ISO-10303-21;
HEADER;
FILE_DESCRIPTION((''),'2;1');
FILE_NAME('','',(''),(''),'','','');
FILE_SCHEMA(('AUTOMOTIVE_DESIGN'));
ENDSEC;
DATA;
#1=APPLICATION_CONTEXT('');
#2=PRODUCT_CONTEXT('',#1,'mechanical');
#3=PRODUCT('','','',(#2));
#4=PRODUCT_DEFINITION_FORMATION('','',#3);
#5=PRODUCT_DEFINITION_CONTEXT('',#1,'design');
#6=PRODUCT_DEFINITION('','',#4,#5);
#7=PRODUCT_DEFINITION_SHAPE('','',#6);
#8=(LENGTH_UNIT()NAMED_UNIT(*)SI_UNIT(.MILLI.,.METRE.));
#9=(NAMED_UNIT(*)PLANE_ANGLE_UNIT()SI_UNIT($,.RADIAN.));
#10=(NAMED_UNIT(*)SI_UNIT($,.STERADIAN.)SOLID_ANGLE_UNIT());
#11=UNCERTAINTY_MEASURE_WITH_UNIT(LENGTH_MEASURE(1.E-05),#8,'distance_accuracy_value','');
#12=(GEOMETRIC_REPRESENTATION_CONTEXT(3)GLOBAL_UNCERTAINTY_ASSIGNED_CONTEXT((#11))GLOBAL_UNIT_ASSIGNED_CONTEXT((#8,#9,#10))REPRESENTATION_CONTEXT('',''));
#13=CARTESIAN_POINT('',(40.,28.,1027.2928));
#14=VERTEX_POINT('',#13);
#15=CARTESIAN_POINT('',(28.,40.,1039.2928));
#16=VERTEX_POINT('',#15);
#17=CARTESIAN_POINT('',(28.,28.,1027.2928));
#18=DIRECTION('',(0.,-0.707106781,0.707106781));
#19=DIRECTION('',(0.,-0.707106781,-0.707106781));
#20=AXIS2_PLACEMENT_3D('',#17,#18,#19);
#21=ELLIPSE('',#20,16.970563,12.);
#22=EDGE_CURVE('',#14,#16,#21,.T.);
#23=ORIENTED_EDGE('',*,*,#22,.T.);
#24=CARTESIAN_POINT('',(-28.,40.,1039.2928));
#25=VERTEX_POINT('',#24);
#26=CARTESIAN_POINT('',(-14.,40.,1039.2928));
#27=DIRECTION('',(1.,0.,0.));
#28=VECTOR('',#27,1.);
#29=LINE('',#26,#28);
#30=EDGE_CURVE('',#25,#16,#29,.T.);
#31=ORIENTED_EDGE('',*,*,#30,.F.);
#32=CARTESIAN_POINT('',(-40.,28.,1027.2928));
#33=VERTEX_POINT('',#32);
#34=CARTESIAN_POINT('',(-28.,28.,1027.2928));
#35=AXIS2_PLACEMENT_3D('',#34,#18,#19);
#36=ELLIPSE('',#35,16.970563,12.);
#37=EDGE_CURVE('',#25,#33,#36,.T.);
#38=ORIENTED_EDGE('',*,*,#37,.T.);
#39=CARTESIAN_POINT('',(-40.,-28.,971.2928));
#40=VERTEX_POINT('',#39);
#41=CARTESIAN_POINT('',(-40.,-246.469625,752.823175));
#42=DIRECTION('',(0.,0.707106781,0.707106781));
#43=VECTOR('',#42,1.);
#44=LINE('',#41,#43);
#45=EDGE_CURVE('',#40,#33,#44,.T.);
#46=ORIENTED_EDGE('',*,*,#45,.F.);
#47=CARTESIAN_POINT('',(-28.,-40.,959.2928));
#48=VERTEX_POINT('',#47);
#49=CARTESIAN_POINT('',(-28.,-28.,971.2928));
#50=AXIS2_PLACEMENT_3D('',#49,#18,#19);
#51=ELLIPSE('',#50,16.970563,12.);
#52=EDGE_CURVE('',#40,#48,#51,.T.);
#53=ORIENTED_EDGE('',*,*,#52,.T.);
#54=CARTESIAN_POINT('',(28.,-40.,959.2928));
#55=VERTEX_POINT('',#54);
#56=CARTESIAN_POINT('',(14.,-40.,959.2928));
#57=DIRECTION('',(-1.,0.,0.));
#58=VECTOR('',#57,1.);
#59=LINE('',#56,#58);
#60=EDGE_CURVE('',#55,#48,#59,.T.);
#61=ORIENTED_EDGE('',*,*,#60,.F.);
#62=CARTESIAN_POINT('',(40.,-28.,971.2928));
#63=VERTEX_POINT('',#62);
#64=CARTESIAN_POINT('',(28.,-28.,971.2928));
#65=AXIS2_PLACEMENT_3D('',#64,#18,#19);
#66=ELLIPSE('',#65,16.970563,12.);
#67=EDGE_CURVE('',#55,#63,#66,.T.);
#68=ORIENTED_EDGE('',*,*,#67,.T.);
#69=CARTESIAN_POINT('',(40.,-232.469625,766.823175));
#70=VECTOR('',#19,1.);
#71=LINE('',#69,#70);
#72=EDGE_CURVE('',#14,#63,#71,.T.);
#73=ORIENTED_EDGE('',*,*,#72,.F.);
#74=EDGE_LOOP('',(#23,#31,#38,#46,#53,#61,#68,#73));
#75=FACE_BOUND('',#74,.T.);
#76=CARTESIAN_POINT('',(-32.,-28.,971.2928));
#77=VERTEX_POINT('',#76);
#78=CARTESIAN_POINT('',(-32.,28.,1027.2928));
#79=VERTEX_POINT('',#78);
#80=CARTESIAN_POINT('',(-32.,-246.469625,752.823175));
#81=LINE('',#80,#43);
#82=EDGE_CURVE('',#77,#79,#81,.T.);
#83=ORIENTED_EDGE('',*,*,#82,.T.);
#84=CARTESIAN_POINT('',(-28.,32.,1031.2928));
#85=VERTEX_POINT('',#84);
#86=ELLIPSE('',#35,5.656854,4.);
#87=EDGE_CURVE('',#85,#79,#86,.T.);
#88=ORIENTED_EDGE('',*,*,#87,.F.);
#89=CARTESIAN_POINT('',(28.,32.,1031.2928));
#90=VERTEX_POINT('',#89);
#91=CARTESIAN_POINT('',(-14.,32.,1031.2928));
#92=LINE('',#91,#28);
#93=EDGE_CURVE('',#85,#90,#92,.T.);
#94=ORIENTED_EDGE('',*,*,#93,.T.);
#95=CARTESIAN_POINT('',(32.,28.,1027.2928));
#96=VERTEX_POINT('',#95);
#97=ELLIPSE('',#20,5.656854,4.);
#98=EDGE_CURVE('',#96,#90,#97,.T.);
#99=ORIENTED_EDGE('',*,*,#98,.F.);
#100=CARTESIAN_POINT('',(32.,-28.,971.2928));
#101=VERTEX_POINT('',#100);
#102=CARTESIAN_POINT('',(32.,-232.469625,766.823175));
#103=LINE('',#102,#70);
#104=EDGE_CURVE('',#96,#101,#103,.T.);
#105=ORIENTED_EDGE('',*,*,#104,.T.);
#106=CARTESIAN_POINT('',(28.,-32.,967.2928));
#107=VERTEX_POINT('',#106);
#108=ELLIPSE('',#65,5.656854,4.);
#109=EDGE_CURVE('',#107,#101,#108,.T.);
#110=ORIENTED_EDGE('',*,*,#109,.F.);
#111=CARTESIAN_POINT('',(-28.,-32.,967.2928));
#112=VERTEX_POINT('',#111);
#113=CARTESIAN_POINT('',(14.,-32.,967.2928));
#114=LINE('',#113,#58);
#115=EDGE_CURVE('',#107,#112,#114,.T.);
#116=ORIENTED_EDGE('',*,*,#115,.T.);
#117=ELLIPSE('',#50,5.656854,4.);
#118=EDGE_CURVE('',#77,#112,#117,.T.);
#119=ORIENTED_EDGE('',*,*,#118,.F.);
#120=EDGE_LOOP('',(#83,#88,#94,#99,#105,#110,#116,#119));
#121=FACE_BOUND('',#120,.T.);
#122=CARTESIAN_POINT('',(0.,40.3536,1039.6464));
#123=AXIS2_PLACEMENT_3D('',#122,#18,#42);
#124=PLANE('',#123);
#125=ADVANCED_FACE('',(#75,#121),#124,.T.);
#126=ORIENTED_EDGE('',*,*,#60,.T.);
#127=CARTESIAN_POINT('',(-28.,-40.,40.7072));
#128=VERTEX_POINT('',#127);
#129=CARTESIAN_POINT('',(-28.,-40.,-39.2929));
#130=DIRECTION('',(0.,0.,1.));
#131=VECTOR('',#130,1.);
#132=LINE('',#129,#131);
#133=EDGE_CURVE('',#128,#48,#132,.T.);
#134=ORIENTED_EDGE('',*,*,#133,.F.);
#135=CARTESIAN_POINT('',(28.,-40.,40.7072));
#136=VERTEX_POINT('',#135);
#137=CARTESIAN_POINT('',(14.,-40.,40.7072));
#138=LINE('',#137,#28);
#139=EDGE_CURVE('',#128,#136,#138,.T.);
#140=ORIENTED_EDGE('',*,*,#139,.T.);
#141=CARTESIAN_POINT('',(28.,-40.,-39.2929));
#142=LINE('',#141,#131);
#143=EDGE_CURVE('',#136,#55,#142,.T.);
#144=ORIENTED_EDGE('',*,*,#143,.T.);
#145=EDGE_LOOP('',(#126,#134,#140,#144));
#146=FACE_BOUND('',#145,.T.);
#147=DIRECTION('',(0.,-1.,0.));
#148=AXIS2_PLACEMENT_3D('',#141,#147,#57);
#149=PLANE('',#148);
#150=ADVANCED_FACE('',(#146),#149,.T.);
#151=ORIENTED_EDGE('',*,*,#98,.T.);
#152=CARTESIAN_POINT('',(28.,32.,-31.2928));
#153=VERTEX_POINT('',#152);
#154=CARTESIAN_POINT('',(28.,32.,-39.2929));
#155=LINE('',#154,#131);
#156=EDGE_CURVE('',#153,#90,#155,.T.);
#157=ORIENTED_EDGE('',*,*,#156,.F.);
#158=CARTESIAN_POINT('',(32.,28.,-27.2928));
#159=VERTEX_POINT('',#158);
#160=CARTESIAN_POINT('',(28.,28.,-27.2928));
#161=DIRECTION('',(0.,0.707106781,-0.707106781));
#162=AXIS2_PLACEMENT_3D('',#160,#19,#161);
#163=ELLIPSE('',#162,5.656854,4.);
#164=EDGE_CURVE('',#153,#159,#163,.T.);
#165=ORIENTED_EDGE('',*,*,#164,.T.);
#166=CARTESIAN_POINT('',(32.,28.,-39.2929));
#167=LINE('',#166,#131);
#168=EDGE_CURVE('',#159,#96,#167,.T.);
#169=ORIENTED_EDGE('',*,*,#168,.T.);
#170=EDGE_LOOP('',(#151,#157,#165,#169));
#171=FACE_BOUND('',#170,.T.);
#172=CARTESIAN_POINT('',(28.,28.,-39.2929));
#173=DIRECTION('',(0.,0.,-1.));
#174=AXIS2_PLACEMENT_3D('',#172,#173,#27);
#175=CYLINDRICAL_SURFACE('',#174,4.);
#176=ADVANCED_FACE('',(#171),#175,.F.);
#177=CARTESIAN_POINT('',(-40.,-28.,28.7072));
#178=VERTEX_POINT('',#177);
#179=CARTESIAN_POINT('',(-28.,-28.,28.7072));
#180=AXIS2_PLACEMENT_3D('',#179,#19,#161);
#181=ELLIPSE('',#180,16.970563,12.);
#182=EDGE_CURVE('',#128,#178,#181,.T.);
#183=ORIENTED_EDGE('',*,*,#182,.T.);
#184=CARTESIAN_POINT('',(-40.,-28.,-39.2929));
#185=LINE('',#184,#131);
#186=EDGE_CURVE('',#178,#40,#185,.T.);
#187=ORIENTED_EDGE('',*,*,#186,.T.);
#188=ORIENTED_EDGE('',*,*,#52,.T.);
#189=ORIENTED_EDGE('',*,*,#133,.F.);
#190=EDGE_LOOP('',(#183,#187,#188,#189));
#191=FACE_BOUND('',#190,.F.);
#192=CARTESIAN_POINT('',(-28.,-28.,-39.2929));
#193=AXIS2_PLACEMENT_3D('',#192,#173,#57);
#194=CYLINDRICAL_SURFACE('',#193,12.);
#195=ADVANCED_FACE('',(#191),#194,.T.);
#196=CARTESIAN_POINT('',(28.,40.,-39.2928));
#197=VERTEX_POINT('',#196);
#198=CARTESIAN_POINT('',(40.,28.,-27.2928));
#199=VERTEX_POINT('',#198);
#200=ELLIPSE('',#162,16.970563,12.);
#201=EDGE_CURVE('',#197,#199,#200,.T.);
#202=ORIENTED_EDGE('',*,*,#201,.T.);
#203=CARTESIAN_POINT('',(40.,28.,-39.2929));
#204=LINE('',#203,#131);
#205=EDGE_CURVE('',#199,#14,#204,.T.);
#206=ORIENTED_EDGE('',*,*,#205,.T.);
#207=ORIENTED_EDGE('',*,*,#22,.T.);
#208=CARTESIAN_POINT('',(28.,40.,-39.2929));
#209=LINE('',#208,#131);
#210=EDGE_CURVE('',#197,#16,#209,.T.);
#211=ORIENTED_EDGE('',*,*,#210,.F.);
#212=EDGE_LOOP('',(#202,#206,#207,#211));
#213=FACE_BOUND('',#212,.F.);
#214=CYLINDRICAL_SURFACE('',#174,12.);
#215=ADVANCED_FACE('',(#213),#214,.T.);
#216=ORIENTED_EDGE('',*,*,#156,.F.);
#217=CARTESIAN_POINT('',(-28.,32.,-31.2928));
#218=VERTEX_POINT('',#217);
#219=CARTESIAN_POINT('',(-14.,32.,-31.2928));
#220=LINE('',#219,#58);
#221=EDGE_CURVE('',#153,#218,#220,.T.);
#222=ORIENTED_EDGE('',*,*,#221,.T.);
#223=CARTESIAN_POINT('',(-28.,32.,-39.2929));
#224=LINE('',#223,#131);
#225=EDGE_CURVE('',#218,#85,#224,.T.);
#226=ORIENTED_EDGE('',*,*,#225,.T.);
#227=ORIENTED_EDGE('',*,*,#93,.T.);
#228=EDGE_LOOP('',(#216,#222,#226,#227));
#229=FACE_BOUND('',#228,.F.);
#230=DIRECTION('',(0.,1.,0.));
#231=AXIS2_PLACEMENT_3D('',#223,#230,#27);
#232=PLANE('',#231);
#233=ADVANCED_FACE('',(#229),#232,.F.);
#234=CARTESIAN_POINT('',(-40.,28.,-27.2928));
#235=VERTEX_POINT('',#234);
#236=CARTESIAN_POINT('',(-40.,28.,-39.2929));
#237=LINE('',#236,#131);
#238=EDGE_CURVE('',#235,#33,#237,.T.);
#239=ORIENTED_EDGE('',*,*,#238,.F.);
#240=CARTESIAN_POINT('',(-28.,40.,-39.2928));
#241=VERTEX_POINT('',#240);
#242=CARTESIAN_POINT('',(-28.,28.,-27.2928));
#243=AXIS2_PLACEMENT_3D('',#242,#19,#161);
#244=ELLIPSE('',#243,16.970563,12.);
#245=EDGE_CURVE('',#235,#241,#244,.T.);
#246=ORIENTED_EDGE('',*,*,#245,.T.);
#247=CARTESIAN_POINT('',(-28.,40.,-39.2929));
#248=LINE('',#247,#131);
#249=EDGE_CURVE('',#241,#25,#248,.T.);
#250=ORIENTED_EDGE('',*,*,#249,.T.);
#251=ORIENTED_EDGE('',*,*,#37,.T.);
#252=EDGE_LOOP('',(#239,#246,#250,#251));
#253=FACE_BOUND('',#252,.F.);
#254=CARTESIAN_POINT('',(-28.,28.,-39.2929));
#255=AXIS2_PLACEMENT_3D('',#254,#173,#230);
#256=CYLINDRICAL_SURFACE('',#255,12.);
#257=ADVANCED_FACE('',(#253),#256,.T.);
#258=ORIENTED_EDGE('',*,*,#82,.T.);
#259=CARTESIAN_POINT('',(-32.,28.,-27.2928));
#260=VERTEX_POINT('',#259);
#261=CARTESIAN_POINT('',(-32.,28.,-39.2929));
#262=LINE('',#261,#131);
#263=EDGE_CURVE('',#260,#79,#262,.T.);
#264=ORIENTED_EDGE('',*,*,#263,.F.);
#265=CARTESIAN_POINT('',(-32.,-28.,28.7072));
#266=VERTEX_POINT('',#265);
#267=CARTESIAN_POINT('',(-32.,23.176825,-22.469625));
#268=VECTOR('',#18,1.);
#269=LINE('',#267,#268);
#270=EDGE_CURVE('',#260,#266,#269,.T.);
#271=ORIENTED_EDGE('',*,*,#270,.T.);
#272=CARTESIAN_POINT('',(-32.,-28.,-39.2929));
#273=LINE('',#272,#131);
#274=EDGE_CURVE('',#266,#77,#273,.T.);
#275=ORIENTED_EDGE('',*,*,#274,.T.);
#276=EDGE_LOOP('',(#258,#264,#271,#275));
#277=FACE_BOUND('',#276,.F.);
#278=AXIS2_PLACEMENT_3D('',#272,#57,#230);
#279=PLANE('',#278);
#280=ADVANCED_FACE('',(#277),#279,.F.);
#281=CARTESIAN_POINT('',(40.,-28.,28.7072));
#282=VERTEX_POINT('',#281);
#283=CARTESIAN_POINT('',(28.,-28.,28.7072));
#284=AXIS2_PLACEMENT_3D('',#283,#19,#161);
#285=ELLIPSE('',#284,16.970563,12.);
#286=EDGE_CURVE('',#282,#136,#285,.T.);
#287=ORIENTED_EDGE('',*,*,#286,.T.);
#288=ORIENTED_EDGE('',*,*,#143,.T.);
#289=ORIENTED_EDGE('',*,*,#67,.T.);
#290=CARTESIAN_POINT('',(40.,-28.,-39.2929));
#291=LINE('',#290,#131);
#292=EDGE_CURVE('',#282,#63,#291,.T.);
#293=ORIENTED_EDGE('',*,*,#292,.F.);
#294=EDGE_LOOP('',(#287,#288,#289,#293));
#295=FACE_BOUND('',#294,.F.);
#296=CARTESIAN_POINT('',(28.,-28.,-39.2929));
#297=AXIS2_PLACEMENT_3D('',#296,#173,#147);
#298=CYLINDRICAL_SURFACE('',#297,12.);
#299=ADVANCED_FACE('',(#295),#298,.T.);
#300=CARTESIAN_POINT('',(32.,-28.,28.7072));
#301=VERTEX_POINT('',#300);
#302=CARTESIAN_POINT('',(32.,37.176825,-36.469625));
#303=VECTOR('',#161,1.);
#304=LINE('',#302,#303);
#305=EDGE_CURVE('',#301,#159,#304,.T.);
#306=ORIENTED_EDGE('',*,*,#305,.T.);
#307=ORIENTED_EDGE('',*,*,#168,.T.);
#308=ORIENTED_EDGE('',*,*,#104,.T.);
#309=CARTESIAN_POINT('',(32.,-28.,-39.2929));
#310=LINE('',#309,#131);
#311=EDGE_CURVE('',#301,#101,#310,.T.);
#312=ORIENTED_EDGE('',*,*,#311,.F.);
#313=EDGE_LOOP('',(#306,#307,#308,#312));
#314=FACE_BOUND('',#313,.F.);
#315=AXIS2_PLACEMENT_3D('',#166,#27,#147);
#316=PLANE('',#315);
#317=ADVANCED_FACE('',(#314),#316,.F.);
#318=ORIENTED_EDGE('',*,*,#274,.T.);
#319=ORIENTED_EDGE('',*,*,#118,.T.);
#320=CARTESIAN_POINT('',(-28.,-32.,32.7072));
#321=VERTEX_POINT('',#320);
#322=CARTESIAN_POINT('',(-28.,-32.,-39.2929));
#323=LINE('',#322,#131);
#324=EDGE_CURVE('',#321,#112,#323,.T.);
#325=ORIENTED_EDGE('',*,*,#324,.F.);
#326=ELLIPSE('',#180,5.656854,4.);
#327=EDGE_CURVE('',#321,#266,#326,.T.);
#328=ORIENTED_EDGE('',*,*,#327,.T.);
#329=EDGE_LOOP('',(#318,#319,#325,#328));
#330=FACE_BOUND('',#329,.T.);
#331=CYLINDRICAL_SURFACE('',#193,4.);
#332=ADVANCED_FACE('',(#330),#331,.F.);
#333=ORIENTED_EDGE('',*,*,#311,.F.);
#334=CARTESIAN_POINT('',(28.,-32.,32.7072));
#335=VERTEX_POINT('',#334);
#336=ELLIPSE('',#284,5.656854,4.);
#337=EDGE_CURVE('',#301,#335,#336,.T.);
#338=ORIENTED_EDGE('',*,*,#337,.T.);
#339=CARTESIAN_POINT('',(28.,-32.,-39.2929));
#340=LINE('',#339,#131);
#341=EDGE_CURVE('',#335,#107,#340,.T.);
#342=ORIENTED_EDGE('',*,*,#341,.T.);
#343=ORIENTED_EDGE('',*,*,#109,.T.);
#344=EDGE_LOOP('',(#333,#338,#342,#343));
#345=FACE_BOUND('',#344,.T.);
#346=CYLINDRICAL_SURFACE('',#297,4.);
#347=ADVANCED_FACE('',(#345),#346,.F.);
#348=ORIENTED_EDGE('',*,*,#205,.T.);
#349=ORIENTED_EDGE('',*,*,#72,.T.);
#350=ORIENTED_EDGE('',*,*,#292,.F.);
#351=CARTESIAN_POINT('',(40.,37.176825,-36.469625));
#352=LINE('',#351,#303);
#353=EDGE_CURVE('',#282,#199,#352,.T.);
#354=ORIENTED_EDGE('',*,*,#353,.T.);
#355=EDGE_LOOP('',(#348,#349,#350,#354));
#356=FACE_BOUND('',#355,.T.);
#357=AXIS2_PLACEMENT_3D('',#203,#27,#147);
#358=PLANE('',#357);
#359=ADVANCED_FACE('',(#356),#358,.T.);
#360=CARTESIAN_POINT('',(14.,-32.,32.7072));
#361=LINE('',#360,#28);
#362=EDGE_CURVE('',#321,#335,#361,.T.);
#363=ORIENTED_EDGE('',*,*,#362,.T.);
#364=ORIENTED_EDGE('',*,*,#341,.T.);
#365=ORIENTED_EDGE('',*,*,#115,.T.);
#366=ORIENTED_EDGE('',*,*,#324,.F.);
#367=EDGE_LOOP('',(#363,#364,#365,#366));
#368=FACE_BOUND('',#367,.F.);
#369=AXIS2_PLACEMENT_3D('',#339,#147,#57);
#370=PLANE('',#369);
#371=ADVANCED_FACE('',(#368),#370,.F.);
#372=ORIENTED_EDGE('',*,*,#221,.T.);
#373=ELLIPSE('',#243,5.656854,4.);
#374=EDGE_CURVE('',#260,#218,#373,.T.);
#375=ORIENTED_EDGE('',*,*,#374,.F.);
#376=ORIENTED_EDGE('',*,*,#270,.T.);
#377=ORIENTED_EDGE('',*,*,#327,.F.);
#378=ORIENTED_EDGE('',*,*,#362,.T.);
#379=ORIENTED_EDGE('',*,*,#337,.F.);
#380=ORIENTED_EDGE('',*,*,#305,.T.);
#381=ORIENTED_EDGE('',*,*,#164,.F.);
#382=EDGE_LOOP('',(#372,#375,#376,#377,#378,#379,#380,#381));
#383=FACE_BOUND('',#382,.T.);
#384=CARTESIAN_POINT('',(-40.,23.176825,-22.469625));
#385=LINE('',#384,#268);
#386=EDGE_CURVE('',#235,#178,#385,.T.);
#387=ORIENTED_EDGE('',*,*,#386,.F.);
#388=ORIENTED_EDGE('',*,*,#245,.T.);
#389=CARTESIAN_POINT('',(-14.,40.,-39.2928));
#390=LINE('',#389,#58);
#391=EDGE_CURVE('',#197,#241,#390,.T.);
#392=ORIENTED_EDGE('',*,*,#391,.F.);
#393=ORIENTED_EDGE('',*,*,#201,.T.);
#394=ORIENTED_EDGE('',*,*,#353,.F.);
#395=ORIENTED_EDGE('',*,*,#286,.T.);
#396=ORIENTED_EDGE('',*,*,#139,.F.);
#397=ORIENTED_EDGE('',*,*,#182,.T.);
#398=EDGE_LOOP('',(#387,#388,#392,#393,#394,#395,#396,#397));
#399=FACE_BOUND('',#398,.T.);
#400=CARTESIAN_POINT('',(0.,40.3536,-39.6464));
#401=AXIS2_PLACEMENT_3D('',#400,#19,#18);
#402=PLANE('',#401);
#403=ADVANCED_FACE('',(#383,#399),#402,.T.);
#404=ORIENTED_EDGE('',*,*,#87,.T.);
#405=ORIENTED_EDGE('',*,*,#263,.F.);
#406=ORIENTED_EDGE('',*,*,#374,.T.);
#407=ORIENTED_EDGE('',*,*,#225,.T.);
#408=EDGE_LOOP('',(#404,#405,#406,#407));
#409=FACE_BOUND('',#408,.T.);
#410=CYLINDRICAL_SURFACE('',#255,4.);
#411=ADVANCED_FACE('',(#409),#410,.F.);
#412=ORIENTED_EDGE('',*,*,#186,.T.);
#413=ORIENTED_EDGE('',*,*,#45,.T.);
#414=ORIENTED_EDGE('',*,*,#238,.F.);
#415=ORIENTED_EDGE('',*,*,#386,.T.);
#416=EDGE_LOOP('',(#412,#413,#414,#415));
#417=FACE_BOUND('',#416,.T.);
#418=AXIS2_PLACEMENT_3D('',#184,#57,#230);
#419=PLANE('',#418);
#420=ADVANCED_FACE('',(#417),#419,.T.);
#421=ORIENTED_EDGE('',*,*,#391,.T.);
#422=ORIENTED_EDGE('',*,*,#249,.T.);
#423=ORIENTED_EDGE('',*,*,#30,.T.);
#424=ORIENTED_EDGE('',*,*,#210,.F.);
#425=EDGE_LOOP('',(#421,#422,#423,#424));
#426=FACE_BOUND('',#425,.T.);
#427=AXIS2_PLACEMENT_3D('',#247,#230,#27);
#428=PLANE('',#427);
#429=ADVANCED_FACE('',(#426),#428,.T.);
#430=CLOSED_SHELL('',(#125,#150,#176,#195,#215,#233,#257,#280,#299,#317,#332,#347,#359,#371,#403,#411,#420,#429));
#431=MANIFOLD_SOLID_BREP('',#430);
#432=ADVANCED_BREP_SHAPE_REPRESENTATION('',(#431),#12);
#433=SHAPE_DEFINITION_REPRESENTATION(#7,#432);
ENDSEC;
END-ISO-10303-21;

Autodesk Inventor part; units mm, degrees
ref_plane "Start Plane" through (0, 0, -39.2929) normal (0, 0, 1) x (1, 0, 0)
ref_plane "End Plane" through (0, 0, 1039.2929) normal (0, 0, 1) x (1, 0, 0)
sketch "Sketch" plane through (0, 0, 0) normal (0, 0, 1) x (1, 0, 0)
  line L0 (-40, -28) -> (-40, 28)
  line L1 (-28, 40) -> (28, 40)
  line L2 (40, 28) -> (40, -28)
  line L3 (28, -40) -> (-28, -40)
  arc A0 (-40, -28) -> (-28, -40) centre (-28, -28) ccw
  arc A1 (-28, 40) -> (-40, 28) centre (-28, 28) ccw
  arc A2 (40, 28) -> (28, 40) centre (28, 28) ccw
  arc A3 (28, -40) -> (40, -28) centre (28, -28) ccw
  arc A4 (-28, 32) -> (-32, 28) centre (-28, 28) ccw
  line L4 (-28, 32) -> (28, 32)
  arc A5 (32, 28) -> (28, 32) centre (28, 28) ccw
  line L5 (32, 28) -> (32, -28)
  arc A6 (28, -32) -> (32, -28) centre (28, -28) ccw
  line L6 (28, -32) -> (-28, -32)
  arc A7 (-32, -28) -> (-28, -32) centre (-28, -28) ccw
  line L7 (-32, -28) -> (-32, 28)
  line L8 (0, 59.4794) -> (0, -59.4794) construction
  line L9 (-59.4794, 0) -> (59.4794, 0) construction
  dimension "d7" = 12
  dimension "d10" = 80
  dimension "d11" = 80
  dimension "d12" = 8
  dimension "d15" = 40
  dimension "d16" = 40
extrude "Body" add sketch "Sketch" along normal up to surface (1078.5858 mm away) from surface at -39.2929
sketch "Sketch3" plane through (0, 0, 0) normal (0, 0, 1) x (1, 0, 0)
  line L0 (0, 0) -> (10, 0)
ref_plane "Work Plane3" through (0, 0, 0) normal (0, -1, 0) x (1, 0, 0)
ref_plane "Work Plane4" through (0, 40.3536, 1039.6464) normal (0, -0.7071, 0.7071) x (1, 0, 0)
split "Split1" plane through (0, 40.3536, 1039.6464) removes the side toward (0, -0.7071, 0.7071)
ref_plane "Work Plane5" through (0, 40.3536, -39.6464) normal (0, -0.7071, -0.7071) x (1, 0, 0)
split "Split2" plane through (0, 40.3536, -39.6464) removes the side toward (0, -0.7071, -0.7071)
sketch "Sketch4" plane through (0, 0, 0) normal (0, -1, 0) x (1, 0, 0)
  line L0 (-2, -39.2929) -> (12, -39.2929) projected
  line L1 (-2, 1039.2929) -> (12, 1039.2929) projected
  dimension "d18" = 1078.5858
equation "\"d7\" = G_IR"
equation "\"d10\" = G_H"
equation "\"d11\" = G_W"
equation "\"d12\" = G_T"
equation "\"d15\" = 0.5 * d10"
equation "\"d16\" = 0.5 * d11"
equation "\"d3\" = G_L"
equation "\"G_W\" = 80"
equation "\"G_H\" = 80"
equation "\"G_T\" = 8"
equation "\"G_IR\" = 12"
equation "\"G_L\" = d18"
equation "\"G_OFFSET_START\" = 39.29289"
equation "\"G_OFFSET_END\" = 39.29289"
equation "\"d13\" = -G_OFFSET_START"
equation "\"d14\" = G_OFFSET_END + B_L"
equation "\"B_L\" = 1000"
properties part number "ISO 12633-2 - 80x80x8 - 1078.59" material "Steel, Mild"
